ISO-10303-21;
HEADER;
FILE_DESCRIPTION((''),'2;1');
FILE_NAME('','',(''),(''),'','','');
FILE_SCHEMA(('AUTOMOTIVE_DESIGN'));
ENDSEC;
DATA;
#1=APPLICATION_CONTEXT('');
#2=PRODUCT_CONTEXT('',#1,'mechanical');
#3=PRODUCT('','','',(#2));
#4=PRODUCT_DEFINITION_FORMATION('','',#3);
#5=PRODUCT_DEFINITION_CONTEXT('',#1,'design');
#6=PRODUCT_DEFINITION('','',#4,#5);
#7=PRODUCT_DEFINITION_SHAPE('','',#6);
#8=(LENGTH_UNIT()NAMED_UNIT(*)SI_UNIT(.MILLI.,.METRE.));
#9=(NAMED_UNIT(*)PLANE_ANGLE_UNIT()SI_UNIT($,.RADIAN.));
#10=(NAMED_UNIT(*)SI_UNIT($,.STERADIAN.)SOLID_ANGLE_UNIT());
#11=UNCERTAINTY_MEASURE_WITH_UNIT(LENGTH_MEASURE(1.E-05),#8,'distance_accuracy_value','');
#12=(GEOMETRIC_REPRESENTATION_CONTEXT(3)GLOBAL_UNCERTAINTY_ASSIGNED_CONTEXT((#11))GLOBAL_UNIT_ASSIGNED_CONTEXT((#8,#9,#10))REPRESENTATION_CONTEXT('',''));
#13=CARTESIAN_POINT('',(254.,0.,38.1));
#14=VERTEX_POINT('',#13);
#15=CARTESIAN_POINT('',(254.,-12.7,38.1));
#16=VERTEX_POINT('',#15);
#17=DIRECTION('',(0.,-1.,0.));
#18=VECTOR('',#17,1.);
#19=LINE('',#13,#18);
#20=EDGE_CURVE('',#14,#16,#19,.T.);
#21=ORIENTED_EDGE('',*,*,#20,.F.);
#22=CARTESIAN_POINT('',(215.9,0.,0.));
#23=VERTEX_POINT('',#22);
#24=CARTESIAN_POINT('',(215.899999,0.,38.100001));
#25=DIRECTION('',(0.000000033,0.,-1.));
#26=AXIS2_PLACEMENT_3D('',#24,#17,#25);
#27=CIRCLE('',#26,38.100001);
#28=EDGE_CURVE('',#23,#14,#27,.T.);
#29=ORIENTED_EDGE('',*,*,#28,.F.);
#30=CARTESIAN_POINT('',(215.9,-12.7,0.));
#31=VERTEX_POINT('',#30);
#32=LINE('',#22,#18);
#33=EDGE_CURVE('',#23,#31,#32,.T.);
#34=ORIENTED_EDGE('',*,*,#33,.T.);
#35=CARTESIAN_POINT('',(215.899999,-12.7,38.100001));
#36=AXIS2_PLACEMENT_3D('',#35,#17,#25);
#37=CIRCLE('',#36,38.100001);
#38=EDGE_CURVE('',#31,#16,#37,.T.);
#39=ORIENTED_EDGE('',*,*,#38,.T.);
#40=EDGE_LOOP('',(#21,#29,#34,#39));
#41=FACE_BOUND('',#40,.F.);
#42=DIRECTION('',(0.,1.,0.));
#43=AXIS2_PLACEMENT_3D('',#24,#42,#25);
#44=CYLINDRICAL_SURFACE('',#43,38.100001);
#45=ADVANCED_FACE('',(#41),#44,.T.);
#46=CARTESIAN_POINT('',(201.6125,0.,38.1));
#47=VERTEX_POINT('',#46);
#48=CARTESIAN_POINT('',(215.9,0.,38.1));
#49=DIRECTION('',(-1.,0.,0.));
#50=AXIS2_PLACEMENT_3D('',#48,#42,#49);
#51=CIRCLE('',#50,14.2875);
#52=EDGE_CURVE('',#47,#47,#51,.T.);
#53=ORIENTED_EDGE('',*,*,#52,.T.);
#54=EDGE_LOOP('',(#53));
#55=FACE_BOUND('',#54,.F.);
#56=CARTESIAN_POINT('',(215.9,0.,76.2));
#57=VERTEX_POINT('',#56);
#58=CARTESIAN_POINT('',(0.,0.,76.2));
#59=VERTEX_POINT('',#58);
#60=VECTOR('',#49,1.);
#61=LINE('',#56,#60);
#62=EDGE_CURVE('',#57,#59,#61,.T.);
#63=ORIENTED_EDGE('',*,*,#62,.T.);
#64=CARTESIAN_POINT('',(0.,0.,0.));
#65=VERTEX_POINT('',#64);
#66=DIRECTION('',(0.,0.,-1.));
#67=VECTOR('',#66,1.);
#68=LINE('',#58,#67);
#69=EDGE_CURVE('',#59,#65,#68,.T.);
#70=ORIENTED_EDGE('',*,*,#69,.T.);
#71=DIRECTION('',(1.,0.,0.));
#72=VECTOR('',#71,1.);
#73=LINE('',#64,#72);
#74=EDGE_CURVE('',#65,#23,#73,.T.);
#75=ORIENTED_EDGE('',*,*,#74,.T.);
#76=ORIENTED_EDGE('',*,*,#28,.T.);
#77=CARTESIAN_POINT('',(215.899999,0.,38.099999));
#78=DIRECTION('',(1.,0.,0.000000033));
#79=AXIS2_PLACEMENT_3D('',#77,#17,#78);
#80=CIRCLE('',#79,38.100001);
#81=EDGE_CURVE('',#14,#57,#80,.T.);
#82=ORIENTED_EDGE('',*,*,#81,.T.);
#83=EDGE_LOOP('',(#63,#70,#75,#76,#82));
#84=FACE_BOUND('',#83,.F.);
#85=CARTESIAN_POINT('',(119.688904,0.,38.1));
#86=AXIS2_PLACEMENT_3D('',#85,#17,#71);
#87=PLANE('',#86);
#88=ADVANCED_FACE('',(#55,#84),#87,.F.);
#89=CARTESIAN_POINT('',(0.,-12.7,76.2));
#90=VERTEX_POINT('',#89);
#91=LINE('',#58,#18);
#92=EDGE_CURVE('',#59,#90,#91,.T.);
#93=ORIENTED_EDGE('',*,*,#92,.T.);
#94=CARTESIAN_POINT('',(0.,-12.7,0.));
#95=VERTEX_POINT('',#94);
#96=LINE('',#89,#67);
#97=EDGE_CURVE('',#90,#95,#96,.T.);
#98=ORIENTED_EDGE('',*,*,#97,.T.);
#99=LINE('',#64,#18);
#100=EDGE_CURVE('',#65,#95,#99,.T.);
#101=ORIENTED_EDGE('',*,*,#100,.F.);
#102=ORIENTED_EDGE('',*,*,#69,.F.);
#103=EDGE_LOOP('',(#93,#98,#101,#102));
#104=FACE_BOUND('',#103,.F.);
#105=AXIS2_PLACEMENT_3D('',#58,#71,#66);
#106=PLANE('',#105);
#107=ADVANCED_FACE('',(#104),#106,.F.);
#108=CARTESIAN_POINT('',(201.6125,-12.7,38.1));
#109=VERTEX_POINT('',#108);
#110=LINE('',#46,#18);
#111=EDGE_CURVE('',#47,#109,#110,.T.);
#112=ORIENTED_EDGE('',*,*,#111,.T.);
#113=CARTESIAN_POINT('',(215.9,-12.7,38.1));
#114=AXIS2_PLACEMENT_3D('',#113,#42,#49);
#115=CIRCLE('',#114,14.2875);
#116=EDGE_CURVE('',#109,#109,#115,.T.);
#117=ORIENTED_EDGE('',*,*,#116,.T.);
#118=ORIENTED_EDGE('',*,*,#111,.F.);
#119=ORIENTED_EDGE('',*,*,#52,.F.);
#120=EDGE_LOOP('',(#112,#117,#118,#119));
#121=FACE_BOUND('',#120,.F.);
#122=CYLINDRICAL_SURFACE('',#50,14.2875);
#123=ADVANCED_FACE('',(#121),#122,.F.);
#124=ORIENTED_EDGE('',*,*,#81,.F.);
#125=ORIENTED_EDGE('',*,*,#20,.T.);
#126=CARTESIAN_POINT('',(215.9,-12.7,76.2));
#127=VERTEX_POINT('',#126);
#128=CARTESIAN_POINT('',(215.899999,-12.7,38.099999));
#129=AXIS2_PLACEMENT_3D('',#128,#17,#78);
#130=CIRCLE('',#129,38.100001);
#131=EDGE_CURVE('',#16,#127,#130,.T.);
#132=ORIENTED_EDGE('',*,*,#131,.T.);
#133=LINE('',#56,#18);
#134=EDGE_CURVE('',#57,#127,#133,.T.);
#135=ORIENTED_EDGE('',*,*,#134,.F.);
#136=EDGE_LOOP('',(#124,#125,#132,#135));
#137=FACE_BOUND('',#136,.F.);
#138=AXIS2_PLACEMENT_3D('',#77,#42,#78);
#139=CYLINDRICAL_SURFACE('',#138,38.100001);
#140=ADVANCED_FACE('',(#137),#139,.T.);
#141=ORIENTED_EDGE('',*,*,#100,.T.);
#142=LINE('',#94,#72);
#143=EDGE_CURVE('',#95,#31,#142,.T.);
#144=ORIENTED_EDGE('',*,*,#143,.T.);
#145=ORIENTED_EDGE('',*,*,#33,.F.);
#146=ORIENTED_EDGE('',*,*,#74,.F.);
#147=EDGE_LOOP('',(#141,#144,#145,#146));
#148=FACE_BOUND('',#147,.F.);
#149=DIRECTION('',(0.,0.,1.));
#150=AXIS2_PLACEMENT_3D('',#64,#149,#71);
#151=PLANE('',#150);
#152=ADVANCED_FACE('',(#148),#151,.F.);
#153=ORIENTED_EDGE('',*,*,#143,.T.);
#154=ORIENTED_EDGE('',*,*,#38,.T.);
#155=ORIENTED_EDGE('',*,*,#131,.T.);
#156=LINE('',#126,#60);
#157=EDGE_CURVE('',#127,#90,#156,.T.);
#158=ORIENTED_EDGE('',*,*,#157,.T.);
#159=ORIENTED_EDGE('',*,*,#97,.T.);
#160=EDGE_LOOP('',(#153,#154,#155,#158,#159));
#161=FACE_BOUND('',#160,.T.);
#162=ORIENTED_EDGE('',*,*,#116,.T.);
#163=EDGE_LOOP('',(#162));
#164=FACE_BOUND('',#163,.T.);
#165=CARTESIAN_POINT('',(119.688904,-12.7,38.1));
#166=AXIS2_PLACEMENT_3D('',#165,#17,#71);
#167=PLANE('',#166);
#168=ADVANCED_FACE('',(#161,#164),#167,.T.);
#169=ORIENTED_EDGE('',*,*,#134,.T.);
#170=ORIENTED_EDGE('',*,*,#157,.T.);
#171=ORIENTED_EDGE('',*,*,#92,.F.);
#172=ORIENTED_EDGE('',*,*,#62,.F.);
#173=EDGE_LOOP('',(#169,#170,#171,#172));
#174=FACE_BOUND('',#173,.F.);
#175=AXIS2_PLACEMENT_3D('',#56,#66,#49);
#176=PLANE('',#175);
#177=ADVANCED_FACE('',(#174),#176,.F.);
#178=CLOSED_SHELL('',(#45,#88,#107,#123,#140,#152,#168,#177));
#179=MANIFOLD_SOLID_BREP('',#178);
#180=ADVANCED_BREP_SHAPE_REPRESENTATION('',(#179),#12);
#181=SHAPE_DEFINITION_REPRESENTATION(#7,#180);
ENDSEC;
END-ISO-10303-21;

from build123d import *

# Parameters (mm, degrees)
F1_DEPTH = 12.7


with BuildPart() as f1:
    # F0 (on Front) → F1 (new body)
    with BuildSketch(Plane.XZ):
        with BuildLine():
            Line((0, 38.1), (0, 0))
            Line((0, 0), (215.9, 0))
            ThreePointArc((215.9, 0), (242.840768, 11.159232), (254, 38.1))
            ThreePointArc((254, 38.1), (242.840768, 65.040768), (215.9, 76.2))
            Line((215.9, 76.2), (0, 76.2))
            Line((0, 76.2), (0, 38.1))
        make_face()
        with BuildLine():
            ThreePointArc((230.1875, 38.1), (215.9, 23.8125), (201.6125, 38.1))
            ThreePointArc((201.6125, 38.1), (215.9, 52.3875), (230.1875, 38.1))
        make_face(mode=Mode.SUBTRACT)
    extrude(amount=F1_DEPTH)


solid = f1.part
